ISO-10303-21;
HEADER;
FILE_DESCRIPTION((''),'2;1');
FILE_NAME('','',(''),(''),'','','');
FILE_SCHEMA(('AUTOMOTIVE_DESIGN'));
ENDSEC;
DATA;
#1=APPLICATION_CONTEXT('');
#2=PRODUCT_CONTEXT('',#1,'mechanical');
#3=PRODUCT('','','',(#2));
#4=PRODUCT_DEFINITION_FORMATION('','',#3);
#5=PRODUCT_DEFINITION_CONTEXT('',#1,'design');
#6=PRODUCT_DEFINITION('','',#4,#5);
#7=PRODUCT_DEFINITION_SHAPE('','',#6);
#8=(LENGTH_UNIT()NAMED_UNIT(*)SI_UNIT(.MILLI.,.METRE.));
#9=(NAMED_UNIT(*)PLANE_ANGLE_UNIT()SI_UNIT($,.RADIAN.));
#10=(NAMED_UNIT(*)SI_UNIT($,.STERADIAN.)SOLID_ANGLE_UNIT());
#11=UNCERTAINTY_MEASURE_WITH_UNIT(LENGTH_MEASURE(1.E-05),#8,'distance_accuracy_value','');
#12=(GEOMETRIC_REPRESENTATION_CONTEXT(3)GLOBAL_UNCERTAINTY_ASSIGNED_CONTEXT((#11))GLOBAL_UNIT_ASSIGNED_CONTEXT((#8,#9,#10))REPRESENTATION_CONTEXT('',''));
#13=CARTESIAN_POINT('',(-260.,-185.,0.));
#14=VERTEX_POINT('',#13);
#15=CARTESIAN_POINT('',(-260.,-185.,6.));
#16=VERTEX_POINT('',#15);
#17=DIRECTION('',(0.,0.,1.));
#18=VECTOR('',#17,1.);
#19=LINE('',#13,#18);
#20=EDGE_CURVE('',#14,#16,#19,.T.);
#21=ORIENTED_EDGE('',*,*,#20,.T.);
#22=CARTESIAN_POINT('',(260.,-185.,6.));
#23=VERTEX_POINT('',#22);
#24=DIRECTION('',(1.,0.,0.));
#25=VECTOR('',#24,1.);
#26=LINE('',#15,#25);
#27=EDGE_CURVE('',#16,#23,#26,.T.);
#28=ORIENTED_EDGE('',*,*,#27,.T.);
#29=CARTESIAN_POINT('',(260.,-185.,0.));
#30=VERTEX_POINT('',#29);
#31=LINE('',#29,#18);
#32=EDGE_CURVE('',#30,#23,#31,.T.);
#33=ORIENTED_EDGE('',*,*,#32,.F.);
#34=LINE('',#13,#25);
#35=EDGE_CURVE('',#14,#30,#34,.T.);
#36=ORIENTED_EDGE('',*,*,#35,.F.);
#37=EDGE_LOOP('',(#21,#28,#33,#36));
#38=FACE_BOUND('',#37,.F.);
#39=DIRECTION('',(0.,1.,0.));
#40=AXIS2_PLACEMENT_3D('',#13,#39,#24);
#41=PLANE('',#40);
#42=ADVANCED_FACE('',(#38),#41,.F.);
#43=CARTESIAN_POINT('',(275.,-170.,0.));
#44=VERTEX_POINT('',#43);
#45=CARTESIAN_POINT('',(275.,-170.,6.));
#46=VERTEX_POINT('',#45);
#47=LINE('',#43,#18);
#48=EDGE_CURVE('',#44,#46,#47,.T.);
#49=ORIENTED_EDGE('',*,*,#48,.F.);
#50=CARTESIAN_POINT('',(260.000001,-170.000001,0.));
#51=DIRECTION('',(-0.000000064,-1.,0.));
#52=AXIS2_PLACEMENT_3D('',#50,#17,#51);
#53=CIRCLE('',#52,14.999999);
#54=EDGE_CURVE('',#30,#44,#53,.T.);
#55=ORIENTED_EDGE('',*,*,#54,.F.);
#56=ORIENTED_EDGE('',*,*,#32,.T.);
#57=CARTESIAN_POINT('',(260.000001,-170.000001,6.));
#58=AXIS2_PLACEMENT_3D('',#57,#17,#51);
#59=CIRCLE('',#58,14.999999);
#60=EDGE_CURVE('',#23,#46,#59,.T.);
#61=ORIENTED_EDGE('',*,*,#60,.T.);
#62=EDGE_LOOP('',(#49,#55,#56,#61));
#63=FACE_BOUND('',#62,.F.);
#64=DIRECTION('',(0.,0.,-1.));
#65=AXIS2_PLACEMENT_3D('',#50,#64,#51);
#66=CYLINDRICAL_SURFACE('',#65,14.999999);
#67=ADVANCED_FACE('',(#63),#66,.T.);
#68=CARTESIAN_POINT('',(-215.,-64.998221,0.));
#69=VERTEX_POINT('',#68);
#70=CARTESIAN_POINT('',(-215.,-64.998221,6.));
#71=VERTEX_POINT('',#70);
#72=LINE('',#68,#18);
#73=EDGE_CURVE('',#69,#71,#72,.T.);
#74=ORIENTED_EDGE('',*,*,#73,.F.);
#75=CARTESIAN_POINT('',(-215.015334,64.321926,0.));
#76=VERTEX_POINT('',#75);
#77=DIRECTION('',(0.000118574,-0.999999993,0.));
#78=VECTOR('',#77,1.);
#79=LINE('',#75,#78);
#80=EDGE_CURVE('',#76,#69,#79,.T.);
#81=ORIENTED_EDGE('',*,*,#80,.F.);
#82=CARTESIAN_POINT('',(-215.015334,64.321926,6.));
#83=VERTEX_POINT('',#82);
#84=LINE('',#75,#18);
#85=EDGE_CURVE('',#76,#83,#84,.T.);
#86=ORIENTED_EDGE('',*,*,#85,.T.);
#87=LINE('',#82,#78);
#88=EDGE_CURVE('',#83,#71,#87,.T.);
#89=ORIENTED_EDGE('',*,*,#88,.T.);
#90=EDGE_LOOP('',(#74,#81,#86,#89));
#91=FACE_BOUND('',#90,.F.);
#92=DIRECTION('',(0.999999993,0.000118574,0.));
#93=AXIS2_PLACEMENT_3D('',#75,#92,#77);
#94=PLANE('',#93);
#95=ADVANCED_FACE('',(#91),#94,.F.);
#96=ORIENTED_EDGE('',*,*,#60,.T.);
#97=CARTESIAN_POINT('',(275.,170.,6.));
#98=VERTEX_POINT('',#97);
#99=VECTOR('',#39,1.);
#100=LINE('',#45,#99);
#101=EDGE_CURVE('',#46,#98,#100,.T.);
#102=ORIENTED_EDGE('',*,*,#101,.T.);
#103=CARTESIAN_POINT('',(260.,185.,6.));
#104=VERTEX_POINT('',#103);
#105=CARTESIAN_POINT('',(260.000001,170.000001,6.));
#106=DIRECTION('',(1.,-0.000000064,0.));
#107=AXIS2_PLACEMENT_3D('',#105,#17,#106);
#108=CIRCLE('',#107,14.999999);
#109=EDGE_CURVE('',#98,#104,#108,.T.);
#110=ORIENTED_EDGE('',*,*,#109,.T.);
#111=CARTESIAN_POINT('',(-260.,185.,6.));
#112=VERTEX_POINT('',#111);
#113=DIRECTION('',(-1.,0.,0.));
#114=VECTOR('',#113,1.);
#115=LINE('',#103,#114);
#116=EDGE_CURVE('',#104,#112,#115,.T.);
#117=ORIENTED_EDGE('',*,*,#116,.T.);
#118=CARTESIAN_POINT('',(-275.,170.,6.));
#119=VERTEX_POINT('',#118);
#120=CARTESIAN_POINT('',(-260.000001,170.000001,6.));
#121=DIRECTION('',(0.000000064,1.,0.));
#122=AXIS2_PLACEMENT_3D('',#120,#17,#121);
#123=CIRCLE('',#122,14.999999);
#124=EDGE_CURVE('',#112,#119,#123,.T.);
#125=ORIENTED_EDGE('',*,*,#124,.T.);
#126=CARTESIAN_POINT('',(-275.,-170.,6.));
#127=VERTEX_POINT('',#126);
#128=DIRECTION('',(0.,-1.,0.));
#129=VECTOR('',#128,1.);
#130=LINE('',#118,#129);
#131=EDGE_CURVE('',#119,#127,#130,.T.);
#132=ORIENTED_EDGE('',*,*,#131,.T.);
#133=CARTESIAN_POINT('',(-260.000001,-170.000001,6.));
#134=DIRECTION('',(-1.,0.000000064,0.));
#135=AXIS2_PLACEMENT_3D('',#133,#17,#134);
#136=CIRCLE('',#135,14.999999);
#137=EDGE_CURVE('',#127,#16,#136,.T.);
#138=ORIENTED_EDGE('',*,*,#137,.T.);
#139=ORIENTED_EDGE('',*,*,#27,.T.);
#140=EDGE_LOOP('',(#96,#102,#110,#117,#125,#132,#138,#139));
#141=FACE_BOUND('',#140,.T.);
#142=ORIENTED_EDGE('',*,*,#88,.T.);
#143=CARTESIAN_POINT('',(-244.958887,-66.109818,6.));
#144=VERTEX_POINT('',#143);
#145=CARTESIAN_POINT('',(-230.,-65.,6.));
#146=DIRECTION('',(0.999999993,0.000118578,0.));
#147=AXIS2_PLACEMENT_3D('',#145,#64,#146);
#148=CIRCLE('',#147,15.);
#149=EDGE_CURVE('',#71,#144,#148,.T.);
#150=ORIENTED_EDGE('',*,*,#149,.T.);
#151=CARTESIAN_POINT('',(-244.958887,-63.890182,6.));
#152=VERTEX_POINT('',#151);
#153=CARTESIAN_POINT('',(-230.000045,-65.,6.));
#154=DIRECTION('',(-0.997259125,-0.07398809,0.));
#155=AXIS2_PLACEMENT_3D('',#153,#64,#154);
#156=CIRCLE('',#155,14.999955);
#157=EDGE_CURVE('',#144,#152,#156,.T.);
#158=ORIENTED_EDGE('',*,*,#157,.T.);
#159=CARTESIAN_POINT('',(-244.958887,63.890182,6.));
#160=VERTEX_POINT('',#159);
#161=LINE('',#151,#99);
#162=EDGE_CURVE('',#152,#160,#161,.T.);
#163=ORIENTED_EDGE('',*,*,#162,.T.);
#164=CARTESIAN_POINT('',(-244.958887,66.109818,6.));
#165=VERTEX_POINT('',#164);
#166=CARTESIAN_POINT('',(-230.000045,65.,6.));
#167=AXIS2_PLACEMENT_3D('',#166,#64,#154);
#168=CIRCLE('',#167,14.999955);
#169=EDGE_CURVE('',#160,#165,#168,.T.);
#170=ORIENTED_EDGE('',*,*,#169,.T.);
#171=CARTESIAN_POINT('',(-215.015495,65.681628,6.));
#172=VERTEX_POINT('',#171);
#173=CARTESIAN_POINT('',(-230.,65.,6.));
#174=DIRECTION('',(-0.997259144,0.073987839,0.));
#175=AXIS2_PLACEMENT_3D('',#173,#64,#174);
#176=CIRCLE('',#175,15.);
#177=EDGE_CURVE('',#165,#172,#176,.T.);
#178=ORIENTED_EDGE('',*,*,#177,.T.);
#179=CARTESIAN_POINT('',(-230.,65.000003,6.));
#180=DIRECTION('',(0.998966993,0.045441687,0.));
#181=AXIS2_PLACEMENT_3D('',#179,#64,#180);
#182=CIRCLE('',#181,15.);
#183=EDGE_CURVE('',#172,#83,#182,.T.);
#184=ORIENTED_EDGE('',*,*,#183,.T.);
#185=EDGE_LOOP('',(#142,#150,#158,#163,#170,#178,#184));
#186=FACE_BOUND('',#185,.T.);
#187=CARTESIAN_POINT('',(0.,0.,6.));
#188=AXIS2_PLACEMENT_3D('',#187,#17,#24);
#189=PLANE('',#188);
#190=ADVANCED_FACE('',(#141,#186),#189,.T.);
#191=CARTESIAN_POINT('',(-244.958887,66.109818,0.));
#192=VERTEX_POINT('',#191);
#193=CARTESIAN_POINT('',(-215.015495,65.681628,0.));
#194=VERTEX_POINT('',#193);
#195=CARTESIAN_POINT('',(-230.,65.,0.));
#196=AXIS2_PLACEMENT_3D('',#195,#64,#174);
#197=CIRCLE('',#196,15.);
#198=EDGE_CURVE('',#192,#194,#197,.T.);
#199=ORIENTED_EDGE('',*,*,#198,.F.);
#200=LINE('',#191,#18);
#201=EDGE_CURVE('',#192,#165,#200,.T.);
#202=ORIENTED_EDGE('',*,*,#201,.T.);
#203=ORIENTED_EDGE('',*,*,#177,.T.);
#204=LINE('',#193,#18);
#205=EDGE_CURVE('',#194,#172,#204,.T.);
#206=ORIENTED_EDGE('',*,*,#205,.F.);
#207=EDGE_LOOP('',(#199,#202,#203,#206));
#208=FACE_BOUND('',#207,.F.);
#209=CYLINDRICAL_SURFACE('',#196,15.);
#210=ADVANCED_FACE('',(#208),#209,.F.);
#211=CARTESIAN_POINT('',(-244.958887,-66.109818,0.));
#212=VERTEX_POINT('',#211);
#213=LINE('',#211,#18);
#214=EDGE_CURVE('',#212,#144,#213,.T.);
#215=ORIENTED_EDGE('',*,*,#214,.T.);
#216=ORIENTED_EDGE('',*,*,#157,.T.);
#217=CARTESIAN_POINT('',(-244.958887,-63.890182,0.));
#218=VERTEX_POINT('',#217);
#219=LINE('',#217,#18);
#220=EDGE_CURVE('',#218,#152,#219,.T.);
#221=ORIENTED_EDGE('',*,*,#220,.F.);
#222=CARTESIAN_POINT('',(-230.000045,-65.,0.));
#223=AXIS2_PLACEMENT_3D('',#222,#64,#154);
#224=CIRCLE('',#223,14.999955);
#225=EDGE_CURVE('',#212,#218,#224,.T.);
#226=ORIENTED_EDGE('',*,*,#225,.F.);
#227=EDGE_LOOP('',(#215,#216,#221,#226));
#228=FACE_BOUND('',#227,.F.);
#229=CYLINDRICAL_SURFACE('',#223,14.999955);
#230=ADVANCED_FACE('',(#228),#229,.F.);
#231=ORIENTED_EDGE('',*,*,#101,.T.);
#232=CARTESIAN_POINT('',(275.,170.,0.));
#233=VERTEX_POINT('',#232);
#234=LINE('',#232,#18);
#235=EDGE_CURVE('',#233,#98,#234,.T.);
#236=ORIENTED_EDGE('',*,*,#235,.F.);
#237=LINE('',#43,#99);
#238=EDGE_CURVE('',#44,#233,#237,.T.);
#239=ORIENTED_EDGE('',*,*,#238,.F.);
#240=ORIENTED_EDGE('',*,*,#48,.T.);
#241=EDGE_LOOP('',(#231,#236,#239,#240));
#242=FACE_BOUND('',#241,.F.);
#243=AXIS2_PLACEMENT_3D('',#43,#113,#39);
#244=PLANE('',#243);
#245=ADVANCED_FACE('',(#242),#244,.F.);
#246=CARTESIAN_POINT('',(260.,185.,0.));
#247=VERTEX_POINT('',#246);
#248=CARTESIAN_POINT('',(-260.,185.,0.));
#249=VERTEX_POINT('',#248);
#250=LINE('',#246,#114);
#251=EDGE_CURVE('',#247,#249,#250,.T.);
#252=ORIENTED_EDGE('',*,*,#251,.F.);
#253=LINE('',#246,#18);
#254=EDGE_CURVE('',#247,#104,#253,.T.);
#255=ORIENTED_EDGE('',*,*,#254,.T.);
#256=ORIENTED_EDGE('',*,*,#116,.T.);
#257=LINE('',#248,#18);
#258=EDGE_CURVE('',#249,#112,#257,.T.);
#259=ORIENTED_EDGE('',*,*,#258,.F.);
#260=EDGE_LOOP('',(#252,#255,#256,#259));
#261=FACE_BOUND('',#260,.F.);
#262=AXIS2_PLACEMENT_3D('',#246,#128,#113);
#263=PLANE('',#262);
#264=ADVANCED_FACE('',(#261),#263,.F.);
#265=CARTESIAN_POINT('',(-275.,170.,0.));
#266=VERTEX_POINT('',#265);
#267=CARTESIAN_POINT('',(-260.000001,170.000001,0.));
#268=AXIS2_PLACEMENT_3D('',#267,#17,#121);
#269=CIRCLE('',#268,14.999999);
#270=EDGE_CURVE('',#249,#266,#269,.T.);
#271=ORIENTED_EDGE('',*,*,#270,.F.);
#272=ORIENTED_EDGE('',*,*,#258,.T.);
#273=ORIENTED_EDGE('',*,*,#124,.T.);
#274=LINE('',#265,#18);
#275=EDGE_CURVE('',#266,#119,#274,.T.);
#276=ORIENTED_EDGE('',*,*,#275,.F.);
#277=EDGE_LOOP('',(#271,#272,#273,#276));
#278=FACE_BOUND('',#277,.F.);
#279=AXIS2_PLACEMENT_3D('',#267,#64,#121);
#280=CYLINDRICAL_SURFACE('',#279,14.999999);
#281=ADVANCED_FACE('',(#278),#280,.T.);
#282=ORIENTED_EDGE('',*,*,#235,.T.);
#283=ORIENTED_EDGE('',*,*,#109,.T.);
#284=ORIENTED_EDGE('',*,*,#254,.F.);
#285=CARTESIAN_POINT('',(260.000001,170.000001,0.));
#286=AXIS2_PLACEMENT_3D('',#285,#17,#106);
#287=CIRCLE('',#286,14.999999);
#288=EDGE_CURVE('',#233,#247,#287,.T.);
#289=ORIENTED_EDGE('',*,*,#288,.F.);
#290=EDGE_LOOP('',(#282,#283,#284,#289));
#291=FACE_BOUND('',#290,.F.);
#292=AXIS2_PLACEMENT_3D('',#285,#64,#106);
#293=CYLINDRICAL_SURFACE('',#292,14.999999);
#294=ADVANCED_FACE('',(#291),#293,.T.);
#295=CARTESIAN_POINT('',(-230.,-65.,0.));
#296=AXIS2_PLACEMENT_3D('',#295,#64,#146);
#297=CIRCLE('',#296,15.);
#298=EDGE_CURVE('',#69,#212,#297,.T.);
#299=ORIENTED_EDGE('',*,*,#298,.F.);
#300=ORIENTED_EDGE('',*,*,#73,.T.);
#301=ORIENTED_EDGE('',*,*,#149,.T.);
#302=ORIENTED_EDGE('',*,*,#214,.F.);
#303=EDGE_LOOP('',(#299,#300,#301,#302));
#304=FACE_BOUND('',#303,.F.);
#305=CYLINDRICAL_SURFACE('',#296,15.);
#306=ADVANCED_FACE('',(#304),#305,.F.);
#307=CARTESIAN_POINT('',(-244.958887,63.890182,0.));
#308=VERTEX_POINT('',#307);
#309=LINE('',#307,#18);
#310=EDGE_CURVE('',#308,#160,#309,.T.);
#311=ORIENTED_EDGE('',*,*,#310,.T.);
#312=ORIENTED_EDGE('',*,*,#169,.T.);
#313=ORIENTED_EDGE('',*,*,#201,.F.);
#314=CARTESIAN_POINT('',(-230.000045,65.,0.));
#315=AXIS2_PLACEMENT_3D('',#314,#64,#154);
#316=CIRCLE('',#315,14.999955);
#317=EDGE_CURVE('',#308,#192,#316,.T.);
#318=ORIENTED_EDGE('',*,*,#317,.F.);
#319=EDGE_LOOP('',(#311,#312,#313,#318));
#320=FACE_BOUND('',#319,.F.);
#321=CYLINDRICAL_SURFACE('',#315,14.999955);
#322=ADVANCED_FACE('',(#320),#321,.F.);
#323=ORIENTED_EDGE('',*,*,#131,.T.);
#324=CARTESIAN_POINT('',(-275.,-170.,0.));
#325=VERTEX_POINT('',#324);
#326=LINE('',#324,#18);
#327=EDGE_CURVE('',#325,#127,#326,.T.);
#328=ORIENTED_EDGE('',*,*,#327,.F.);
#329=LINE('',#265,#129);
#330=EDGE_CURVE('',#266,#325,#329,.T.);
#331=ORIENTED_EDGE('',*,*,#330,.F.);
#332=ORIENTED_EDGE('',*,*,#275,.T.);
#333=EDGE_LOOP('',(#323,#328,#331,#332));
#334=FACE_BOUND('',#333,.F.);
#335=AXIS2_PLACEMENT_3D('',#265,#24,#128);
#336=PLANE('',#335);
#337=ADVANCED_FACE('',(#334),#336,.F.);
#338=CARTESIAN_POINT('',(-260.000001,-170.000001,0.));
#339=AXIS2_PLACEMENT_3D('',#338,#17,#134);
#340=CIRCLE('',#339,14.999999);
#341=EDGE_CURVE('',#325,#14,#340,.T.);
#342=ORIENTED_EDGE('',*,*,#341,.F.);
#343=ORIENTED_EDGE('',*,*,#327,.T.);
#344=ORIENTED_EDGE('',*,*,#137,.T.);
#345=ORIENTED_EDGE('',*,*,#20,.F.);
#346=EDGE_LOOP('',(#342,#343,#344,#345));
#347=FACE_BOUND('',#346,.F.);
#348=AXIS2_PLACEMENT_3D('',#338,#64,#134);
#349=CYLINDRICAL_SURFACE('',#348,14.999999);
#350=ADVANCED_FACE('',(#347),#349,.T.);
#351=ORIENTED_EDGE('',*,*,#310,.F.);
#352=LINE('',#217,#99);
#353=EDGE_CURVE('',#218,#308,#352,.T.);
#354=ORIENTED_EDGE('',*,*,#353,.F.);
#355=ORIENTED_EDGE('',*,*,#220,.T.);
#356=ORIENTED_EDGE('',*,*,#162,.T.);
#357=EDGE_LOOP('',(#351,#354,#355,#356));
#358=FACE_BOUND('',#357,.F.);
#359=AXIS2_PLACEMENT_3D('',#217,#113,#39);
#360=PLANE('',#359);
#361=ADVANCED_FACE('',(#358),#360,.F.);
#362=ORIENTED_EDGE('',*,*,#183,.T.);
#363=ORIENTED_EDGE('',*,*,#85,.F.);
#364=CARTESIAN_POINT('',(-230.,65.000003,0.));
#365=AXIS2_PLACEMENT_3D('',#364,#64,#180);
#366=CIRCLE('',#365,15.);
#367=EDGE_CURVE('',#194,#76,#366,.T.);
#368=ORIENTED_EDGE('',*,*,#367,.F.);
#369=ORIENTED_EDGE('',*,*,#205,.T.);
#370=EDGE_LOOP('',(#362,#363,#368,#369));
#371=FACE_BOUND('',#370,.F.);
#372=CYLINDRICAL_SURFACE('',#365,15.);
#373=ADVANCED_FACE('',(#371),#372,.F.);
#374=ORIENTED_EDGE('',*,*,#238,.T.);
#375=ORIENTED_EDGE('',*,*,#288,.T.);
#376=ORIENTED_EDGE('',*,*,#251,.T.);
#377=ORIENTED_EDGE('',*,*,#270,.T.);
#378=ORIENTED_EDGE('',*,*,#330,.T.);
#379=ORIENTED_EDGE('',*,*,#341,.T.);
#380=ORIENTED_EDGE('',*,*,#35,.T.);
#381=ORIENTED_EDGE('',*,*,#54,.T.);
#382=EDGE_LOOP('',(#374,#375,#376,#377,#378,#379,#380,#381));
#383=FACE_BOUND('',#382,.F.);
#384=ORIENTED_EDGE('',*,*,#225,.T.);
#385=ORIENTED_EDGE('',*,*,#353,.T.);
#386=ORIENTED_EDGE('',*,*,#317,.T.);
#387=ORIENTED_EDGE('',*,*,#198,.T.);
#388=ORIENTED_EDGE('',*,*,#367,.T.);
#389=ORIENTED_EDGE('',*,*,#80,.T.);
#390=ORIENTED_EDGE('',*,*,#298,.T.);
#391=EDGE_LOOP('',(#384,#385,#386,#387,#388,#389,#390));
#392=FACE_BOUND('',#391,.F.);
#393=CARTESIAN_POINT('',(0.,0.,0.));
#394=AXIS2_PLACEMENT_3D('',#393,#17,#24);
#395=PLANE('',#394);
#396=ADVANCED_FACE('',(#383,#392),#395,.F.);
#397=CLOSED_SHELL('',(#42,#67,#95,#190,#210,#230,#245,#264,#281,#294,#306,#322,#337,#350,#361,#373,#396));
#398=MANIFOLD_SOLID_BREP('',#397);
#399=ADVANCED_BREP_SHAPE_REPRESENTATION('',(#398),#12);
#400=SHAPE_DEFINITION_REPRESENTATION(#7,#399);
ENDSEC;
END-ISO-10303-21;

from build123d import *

# Parameters (mm, degrees)
F1_DEPTH = 6


with BuildPart() as f1:
    # F0 (on Top) → F1 (new body)
    with BuildSketch(Plane.XY):
        with BuildLine():
            ThreePointArc((275, 170), (270.606602, 180.606602), (260, 185))
            Line((260, 185), (-260, 185))
            ThreePointArc((-260, 185), (-270.606602, 180.606602), (-275, 170))
            Line((-275, 170), (-275, -170))
            ThreePointArc((-275, -170), (-270.606602, -180.606602), (-260, -185))
            Line((-260, -185), (260, -185))
            ThreePointArc((260, -185), (270.606602, -180.606602), (275, -170))
            Line((275, -170), (275, 170))
        make_face()
        with BuildLine():
            ThreePointArc((-215.015495, 65.681628), (-215, 65.001779), (-215.015334, 64.321926))
            Line((-215.015334, 64.321926), (-215, -64.998221))
            ThreePointArc((-215, -64.998221), (-229.443822, -79.989685), (-244.958887, -66.109818))
            ThreePointArc((-244.958887, -66.109818), (-245, -65), (-244.958887, -63.890182))
            Line((-244.958887, -63.890182), (-244.958887, 63.890182))
            ThreePointArc((-244.958887, 63.890182), (-245, 65), (-244.958887, 66.109818))
            ThreePointArc((-244.958887, 66.109818), (-229.785522, 79.998467), (-215.015495, 65.681628))
        make_face(mode=Mode.SUBTRACT)
    extrude(amount=F1_DEPTH)


solid = f1.part
